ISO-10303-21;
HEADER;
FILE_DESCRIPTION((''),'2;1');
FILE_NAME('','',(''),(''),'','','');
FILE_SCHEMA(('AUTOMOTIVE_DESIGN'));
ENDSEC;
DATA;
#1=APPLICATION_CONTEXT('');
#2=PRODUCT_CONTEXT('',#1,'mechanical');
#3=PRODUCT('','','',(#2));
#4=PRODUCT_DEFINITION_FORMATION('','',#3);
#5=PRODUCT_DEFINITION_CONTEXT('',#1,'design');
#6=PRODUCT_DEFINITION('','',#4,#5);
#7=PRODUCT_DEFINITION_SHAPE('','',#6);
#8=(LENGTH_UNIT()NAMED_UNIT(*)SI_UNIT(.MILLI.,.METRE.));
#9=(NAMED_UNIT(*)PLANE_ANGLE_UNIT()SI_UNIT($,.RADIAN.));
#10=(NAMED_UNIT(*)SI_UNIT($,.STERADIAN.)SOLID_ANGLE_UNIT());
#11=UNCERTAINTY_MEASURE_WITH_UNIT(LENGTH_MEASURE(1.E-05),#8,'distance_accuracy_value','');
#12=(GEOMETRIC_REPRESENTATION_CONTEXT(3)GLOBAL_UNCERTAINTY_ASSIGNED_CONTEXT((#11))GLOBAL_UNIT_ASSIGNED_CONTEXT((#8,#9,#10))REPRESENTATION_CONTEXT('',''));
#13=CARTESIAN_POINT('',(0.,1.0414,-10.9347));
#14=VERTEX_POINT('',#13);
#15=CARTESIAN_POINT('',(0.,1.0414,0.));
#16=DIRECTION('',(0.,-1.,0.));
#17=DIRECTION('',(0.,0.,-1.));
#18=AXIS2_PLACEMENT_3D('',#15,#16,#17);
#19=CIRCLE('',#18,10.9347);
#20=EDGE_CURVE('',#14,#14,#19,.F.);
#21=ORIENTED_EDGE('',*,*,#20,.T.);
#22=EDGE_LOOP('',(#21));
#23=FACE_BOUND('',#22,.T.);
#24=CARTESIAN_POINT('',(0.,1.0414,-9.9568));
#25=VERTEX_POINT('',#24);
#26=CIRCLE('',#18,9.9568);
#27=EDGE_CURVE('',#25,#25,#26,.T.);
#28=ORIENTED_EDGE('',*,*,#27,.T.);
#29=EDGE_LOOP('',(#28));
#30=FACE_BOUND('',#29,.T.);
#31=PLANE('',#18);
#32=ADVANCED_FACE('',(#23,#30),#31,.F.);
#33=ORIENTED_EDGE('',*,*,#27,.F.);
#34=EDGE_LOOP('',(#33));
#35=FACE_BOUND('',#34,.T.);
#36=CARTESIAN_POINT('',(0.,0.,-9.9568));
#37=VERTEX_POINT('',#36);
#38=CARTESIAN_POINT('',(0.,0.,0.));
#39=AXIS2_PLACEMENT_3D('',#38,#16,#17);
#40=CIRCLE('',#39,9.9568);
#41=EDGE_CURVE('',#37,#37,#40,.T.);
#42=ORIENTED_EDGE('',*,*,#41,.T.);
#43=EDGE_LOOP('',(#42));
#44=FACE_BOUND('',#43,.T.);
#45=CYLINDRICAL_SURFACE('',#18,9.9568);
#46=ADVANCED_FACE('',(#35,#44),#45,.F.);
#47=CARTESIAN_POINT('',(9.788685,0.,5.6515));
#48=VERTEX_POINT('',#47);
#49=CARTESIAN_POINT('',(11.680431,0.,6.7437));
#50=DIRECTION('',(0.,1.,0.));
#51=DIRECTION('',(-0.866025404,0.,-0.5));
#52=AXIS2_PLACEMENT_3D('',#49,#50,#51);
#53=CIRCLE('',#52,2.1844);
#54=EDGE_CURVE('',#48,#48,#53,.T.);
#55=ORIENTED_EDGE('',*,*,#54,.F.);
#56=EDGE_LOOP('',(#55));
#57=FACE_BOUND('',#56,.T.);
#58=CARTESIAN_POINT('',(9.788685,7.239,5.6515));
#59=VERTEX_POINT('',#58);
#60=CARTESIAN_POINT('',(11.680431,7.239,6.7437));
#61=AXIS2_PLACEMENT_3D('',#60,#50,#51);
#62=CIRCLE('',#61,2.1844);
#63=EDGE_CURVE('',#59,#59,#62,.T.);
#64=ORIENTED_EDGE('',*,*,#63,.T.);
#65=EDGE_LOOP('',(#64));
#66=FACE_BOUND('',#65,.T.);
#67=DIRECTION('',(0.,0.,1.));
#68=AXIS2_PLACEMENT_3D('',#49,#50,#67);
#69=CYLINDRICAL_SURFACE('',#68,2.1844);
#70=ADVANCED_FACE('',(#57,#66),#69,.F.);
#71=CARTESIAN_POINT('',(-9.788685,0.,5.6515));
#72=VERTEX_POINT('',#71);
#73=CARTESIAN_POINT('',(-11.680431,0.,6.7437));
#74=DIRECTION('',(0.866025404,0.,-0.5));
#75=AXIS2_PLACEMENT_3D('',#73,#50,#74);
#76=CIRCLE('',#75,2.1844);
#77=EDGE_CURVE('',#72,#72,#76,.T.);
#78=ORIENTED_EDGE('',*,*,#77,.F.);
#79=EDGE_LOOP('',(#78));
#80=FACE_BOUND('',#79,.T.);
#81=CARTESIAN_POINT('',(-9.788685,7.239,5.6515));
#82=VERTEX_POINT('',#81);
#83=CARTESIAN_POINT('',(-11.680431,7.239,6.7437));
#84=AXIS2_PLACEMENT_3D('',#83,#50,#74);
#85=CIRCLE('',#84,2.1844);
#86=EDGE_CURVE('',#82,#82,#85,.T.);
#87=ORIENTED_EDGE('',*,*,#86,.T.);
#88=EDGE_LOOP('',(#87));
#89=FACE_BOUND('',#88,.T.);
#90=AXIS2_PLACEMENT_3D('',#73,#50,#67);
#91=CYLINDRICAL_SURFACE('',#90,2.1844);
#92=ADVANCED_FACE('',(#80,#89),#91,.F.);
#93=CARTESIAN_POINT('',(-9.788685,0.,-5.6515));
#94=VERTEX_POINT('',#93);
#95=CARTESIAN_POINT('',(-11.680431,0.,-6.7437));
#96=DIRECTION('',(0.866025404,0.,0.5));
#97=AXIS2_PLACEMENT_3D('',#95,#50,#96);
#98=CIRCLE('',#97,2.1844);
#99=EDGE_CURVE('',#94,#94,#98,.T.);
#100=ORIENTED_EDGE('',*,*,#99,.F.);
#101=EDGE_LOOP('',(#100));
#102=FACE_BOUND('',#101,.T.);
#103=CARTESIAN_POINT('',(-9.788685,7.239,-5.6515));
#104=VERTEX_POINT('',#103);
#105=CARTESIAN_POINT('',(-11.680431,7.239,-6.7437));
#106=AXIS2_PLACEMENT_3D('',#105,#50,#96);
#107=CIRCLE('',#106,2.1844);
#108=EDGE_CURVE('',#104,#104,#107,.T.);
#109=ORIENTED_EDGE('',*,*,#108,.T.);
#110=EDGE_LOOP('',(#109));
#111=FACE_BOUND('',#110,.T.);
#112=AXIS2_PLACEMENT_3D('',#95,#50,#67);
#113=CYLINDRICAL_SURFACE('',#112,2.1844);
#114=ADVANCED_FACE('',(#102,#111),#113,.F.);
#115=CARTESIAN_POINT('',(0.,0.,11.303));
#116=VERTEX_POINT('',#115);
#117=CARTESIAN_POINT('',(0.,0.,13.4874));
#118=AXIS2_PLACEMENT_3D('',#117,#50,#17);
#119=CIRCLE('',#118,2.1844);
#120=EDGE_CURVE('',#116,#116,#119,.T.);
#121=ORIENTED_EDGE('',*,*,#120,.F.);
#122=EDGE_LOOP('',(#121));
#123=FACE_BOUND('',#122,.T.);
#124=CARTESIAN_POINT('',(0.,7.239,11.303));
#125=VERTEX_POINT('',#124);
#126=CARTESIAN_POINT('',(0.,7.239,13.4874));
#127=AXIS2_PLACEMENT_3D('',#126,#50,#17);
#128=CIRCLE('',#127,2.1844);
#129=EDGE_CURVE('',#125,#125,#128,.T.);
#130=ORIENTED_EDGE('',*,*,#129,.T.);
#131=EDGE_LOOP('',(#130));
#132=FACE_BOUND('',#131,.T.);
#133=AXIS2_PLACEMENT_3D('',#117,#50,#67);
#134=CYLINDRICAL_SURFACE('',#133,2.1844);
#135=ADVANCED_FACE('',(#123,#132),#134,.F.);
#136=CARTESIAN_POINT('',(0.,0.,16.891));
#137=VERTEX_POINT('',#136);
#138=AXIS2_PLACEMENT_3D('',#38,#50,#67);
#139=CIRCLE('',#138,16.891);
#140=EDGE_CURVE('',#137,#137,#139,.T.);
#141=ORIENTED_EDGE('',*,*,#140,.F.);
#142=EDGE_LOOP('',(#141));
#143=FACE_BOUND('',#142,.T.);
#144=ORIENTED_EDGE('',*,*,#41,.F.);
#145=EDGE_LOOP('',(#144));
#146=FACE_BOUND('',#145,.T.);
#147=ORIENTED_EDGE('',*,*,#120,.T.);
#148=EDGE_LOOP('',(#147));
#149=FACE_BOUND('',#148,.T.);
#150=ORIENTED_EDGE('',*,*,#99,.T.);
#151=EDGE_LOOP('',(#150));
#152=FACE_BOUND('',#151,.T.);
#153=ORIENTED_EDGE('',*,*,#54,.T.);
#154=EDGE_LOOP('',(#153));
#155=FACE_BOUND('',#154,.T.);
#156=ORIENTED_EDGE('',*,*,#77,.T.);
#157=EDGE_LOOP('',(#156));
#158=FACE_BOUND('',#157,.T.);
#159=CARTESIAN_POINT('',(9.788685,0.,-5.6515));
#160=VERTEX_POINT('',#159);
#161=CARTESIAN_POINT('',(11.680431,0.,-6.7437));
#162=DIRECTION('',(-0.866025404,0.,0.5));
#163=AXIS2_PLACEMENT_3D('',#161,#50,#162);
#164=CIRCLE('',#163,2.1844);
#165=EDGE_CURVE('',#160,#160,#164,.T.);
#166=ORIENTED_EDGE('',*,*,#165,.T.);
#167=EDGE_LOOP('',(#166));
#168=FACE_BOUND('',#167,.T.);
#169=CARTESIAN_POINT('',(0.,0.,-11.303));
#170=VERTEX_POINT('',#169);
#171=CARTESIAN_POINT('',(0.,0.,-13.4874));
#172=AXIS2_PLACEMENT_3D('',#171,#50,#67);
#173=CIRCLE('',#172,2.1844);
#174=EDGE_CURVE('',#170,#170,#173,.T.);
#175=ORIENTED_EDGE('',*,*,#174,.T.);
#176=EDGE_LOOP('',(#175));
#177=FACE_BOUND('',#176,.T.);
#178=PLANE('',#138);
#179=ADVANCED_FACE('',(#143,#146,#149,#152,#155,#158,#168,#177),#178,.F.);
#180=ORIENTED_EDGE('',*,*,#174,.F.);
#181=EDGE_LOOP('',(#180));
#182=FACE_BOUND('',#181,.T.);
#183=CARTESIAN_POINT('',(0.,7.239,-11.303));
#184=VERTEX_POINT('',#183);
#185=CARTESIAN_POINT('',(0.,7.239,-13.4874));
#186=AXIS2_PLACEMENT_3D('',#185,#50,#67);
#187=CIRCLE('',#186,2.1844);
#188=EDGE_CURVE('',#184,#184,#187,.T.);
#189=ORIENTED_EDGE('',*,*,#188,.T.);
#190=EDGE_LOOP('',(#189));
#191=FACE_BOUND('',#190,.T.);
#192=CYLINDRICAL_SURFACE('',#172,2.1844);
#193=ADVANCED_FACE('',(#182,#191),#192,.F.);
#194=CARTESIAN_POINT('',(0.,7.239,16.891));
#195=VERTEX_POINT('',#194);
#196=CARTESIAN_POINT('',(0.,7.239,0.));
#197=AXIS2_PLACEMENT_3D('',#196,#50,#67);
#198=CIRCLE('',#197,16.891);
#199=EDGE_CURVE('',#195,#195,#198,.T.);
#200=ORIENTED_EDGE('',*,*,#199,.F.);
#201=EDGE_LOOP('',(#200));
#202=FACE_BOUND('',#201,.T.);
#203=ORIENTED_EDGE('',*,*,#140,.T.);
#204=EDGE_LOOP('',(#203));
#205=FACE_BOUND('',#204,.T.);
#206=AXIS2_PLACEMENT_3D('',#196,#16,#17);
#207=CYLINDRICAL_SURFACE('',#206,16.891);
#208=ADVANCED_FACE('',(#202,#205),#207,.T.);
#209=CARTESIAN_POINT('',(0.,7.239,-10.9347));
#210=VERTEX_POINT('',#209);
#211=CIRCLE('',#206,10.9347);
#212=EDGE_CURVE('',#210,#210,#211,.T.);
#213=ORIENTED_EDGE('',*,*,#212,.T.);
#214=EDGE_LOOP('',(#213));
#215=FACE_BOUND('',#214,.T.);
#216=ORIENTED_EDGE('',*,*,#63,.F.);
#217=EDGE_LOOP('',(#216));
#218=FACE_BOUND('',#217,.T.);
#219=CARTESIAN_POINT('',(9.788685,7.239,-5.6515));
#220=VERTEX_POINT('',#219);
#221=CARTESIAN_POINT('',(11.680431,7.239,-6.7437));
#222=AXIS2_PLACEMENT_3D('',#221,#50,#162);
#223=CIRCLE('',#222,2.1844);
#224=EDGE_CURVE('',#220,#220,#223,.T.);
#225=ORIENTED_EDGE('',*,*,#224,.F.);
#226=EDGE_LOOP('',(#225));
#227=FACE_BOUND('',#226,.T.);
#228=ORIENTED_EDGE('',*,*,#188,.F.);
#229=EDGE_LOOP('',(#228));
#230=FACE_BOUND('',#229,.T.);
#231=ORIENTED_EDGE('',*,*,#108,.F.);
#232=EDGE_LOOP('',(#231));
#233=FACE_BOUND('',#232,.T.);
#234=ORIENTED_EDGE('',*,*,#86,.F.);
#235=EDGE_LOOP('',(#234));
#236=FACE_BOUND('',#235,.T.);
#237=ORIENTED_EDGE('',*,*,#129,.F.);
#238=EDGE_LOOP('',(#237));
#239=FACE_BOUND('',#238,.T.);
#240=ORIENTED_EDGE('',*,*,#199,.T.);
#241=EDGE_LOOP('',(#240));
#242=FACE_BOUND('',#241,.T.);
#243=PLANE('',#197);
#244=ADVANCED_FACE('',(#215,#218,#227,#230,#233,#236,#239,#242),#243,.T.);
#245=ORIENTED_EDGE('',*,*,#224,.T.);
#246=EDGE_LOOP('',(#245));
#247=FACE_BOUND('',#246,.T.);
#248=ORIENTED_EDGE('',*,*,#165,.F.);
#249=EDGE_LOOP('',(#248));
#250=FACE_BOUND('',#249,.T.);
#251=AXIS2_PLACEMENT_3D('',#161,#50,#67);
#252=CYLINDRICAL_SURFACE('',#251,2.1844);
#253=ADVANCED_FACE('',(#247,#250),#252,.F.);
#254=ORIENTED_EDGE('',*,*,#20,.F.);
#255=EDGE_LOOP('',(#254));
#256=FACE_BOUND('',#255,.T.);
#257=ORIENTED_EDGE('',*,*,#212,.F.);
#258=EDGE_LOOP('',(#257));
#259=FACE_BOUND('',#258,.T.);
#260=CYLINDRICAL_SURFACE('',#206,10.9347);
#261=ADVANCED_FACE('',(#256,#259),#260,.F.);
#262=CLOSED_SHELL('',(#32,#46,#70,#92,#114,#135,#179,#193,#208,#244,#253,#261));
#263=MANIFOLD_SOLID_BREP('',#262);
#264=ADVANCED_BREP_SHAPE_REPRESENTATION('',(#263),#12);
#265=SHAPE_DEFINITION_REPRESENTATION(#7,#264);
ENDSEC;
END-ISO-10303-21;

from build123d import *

# Parameters (mm, degrees)
SKETCH1_R         = 16.891
EXTRUDE1_DEPTH    = 7.239
SKETCH2_R         = 10.9347
EXTRUDE2_DEPTH    = 25.960266084
SKETCH3_R         = 10.9347
SKETCH3_R_2       = 9.9568
EXTRUDE3_DEPTH    = 1.0414
SKETCH4_R         = 2.1844
EXTRUDE4_DEPTH    = 25.960266084
CIRPATTERN1_COUNT = 6


with BuildPart() as part:
    # Sketch1 → Extrude1 (new body)
    with BuildSketch(Plane(origin=(0, 0, 0), x_dir=(1, 0, 0), z_dir=(0, 1, 0))):
        with Locations(Location((0, 0, 0), (0, 0, 270))):
            Circle(SKETCH1_R)
    extrude(amount=EXTRUDE1_DEPTH)

    # Sketch2 → Extrude2 (cut, through all)
    with BuildSketch(Plane.XZ):
        with Locations(Location((0, 0, 0), (0, 0, 270))):
            Circle(SKETCH2_R)
    extrude(amount=-EXTRUDE2_DEPTH, mode=Mode.SUBTRACT)

    # Sketch3 → Extrude3 (add)
    with BuildSketch(Plane.XZ):
        with Locations(Location((0, 0, 0), (0, 0, 270))):
            Circle(SKETCH3_R)
        with Locations(Location((0, 0, 0), (0, 0, 270))):
            Circle(SKETCH3_R_2, mode=Mode.SUBTRACT)
    extrude(amount=-EXTRUDE3_DEPTH)

    # Sketch4 → Extrude4 (cut, through all)
    with BuildSketch(Plane(origin=(0, 7.239, 0), x_dir=(1, 0, 0), z_dir=(0, 1, 0))):
        with Locations(Location((0, 13.4874, 0), (0, 0, 270))):
            Circle(SKETCH4_R)
    extrude4 = extrude(amount=-EXTRUDE4_DEPTH, mode=Mode.SUBTRACT)

    # CirPattern1: Extrude4 ×6 about axis
    cirpattern1_axis = Axis((0, 0, 0), (0, 1, 0))
    for i in range(1, CIRPATTERN1_COUNT):
        add(extrude4.rotate(cirpattern1_axis, i * 360 / CIRPATTERN1_COUNT), mode=Mode.SUBTRACT)


solid = part.part
